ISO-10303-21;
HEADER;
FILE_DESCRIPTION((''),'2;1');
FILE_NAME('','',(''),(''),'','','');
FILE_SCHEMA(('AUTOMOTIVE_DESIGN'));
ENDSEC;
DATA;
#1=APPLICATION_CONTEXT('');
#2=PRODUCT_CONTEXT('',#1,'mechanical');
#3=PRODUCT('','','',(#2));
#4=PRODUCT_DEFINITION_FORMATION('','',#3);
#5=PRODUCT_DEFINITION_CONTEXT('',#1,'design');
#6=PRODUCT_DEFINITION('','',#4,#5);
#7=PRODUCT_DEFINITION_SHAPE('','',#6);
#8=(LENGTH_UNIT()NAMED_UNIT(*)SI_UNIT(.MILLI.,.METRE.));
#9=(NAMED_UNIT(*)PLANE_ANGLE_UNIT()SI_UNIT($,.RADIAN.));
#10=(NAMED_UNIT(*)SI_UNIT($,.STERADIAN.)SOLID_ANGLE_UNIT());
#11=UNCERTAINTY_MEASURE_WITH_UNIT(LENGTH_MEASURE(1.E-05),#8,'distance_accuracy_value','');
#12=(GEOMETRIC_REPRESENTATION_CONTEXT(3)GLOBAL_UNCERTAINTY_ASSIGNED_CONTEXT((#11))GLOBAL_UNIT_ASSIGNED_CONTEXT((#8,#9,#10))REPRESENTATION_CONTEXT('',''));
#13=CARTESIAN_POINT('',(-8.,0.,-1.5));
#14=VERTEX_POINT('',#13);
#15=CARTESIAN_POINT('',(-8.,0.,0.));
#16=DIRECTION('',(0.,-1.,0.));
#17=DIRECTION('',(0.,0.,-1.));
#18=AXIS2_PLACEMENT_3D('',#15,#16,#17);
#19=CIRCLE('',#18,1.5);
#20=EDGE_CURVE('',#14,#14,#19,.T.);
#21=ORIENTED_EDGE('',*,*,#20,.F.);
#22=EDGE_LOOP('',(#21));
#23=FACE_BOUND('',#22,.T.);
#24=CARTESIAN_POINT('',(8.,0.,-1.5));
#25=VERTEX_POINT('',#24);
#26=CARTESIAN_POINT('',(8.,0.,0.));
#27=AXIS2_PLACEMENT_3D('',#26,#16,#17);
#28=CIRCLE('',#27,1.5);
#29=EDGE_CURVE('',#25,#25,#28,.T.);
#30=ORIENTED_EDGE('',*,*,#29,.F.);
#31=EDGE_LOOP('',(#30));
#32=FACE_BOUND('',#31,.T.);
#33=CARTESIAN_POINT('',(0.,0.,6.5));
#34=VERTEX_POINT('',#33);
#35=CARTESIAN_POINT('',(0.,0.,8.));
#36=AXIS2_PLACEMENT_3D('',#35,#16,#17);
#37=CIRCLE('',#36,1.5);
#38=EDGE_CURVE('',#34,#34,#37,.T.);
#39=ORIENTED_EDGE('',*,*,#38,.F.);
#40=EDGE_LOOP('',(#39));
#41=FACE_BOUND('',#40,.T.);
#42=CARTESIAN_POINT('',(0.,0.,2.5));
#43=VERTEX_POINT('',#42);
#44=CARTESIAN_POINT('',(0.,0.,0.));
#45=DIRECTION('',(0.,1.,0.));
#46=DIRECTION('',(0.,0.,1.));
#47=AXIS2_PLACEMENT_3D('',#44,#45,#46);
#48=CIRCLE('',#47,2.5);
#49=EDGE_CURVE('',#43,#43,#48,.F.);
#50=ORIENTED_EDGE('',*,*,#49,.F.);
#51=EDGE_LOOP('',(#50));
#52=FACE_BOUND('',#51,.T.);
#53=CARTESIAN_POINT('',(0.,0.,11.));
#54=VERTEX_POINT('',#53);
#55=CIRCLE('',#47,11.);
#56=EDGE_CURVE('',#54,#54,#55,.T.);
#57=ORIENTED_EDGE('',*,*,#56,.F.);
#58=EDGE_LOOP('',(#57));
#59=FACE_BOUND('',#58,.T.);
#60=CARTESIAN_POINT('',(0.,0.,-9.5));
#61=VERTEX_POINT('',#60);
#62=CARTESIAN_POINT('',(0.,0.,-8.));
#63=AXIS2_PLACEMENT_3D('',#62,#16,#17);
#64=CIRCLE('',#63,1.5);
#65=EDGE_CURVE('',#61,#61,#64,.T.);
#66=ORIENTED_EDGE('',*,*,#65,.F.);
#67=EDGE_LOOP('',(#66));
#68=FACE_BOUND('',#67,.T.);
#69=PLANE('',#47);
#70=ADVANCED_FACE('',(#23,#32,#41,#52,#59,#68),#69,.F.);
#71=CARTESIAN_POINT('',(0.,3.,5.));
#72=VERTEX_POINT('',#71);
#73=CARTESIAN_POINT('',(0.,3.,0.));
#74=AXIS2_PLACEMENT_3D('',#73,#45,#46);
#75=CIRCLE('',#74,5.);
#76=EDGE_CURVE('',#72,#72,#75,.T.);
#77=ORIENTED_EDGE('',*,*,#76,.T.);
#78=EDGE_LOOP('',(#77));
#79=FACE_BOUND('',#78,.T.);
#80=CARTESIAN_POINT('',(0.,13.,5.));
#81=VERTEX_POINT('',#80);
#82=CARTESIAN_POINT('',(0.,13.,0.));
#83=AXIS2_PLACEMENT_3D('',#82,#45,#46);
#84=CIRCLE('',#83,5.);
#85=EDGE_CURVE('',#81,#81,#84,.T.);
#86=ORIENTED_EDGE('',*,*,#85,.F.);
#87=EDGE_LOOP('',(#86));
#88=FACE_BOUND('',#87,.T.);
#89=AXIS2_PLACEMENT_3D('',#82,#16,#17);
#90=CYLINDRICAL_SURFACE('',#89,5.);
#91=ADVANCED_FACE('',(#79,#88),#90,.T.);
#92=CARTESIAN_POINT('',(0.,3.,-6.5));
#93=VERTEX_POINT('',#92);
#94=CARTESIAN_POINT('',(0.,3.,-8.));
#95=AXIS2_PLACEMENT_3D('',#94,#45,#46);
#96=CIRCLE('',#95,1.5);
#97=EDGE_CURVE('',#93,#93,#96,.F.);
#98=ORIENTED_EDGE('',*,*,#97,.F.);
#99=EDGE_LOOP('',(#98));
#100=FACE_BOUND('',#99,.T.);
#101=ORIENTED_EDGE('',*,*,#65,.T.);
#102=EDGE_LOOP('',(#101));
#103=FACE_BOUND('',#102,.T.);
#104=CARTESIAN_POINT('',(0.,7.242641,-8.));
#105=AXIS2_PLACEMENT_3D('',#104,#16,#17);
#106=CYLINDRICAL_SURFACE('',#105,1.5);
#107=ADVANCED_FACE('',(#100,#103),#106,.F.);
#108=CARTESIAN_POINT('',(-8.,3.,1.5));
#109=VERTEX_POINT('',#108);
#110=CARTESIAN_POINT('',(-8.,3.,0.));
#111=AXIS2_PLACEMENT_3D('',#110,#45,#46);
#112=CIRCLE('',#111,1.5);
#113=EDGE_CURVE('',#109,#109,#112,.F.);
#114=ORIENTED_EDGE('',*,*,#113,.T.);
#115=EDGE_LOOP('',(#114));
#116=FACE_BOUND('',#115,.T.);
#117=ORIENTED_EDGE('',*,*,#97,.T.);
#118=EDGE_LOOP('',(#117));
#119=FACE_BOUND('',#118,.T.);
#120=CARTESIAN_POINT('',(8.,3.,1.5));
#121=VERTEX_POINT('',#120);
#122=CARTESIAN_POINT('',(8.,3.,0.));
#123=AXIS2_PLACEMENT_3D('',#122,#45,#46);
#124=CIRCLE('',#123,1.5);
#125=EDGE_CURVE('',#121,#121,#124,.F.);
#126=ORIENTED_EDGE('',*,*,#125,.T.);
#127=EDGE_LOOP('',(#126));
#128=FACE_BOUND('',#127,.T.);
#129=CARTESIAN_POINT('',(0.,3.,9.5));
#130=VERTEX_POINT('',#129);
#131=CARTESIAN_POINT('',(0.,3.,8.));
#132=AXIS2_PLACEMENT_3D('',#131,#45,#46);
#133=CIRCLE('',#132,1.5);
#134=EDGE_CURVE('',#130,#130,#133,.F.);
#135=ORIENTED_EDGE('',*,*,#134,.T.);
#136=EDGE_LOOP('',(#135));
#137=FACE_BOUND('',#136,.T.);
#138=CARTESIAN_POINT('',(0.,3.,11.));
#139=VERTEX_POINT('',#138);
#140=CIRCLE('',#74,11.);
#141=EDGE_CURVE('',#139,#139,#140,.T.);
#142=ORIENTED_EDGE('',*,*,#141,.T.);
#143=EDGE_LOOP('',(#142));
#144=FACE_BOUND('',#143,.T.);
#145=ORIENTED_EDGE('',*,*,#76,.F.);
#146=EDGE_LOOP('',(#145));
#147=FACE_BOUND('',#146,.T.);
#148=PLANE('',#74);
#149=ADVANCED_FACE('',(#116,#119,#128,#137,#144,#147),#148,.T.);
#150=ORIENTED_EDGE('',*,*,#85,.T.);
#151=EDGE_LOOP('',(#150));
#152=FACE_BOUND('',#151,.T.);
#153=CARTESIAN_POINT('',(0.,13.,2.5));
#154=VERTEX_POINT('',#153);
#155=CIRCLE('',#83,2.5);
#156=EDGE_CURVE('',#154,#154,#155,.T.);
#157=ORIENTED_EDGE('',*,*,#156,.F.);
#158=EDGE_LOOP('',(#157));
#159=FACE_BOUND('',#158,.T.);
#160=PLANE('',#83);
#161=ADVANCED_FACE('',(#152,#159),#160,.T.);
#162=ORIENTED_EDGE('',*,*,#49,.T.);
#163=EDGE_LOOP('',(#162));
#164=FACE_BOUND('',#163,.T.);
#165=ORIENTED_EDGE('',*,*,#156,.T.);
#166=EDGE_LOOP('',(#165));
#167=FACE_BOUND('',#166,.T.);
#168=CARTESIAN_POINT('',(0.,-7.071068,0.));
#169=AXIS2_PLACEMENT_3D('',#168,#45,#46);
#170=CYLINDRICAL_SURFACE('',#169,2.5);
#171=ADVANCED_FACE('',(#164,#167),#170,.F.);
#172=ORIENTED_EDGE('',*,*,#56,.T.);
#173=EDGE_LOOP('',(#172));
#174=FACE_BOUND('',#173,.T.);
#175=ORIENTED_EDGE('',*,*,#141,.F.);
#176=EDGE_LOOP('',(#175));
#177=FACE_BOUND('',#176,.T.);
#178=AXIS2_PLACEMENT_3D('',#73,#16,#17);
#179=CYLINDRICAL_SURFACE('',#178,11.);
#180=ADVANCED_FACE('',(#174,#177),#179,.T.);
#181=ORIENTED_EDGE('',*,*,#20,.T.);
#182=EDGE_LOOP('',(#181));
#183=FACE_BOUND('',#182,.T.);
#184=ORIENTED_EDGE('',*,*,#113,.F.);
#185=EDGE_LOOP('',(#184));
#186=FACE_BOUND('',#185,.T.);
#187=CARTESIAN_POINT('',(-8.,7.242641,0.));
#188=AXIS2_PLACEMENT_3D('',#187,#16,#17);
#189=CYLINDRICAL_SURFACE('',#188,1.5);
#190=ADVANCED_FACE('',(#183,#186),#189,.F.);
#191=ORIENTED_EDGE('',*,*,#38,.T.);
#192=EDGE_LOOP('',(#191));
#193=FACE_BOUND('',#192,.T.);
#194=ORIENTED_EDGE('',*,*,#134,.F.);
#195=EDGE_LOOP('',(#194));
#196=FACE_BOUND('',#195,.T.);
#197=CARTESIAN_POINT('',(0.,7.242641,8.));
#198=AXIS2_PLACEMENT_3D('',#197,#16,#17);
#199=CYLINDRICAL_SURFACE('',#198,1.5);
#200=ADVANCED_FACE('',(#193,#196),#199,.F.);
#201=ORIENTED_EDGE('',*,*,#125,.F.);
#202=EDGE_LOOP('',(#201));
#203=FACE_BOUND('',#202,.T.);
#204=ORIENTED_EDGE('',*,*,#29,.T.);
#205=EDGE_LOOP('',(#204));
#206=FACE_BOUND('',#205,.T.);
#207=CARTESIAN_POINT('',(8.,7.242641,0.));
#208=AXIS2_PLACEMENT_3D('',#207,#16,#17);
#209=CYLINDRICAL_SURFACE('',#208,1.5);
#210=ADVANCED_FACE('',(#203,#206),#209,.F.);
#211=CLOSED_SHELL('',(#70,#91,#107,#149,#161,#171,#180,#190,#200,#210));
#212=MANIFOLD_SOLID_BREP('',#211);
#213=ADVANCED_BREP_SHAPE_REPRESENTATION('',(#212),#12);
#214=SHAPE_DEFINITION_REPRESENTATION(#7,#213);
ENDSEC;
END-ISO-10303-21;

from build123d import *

# Parameters (mm, degrees)
SKETCH_1_R          = 11
EXTRUDE_1_DEPTH     = 3
SKETCH_2_R          = 5
EXTRUDE_2_DEPTH     = 10
SKETCH_3_R          = 2.5
CUT_EXTRUDE_1_DEPTH = 13
SKETCH_4_R          = 1.5
CUT_EXTRUDE_2_DEPTH = 3


with BuildPart() as part:
    # 草图1 → 凸台-拉伸1 (new body)
    with BuildSketch(Plane(origin=(0, 0, 0), x_dir=(1, 0, 0), z_dir=(0, 1, 0))):
        with Locations(Location((0, 0, 0), (0, 0, 270))):
            Circle(SKETCH_1_R)
    extrude(amount=EXTRUDE_1_DEPTH)

    # 草图2 → 凸台-拉伸2 (add)
    with BuildSketch(Plane(origin=(0, 3, 0), x_dir=(1, 0, 0), z_dir=(0, 1, 0))):
        with Locations(Location((0, 0, 0), (0, 0, 270))):
            Circle(SKETCH_2_R)
    extrude(amount=EXTRUDE_2_DEPTH)

    # 草图3 → 切除-拉伸1 (cut)
    with BuildSketch(Plane(origin=(0, 13, 0), x_dir=(1, 0, 0), z_dir=(0, 1, 0))):
        with Locations(Location((0, 0, 0), (0, 0, 270))):
            Circle(SKETCH_3_R)
    extrude(amount=-CUT_EXTRUDE_1_DEPTH, mode=Mode.SUBTRACT)

    # 草图4 → 切除-拉伸2 (cut)
    with BuildSketch(Plane.XZ):
        with Locations(Location((0, 8, 0), (0, 0, 270))):
            Circle(SKETCH_4_R)
        with Locations(Location((8, 0, 0), (0, 0, 270))):
            Circle(SKETCH_4_R)
        with Locations(Location((0, -8, 0), (0, 0, 270))):
            Circle(SKETCH_4_R)
        with Locations(Location((-8, 0, 0), (0, 0, 270))):
            Circle(SKETCH_4_R)
    extrude(amount=-CUT_EXTRUDE_2_DEPTH, mode=Mode.SUBTRACT)


solid = part.part
